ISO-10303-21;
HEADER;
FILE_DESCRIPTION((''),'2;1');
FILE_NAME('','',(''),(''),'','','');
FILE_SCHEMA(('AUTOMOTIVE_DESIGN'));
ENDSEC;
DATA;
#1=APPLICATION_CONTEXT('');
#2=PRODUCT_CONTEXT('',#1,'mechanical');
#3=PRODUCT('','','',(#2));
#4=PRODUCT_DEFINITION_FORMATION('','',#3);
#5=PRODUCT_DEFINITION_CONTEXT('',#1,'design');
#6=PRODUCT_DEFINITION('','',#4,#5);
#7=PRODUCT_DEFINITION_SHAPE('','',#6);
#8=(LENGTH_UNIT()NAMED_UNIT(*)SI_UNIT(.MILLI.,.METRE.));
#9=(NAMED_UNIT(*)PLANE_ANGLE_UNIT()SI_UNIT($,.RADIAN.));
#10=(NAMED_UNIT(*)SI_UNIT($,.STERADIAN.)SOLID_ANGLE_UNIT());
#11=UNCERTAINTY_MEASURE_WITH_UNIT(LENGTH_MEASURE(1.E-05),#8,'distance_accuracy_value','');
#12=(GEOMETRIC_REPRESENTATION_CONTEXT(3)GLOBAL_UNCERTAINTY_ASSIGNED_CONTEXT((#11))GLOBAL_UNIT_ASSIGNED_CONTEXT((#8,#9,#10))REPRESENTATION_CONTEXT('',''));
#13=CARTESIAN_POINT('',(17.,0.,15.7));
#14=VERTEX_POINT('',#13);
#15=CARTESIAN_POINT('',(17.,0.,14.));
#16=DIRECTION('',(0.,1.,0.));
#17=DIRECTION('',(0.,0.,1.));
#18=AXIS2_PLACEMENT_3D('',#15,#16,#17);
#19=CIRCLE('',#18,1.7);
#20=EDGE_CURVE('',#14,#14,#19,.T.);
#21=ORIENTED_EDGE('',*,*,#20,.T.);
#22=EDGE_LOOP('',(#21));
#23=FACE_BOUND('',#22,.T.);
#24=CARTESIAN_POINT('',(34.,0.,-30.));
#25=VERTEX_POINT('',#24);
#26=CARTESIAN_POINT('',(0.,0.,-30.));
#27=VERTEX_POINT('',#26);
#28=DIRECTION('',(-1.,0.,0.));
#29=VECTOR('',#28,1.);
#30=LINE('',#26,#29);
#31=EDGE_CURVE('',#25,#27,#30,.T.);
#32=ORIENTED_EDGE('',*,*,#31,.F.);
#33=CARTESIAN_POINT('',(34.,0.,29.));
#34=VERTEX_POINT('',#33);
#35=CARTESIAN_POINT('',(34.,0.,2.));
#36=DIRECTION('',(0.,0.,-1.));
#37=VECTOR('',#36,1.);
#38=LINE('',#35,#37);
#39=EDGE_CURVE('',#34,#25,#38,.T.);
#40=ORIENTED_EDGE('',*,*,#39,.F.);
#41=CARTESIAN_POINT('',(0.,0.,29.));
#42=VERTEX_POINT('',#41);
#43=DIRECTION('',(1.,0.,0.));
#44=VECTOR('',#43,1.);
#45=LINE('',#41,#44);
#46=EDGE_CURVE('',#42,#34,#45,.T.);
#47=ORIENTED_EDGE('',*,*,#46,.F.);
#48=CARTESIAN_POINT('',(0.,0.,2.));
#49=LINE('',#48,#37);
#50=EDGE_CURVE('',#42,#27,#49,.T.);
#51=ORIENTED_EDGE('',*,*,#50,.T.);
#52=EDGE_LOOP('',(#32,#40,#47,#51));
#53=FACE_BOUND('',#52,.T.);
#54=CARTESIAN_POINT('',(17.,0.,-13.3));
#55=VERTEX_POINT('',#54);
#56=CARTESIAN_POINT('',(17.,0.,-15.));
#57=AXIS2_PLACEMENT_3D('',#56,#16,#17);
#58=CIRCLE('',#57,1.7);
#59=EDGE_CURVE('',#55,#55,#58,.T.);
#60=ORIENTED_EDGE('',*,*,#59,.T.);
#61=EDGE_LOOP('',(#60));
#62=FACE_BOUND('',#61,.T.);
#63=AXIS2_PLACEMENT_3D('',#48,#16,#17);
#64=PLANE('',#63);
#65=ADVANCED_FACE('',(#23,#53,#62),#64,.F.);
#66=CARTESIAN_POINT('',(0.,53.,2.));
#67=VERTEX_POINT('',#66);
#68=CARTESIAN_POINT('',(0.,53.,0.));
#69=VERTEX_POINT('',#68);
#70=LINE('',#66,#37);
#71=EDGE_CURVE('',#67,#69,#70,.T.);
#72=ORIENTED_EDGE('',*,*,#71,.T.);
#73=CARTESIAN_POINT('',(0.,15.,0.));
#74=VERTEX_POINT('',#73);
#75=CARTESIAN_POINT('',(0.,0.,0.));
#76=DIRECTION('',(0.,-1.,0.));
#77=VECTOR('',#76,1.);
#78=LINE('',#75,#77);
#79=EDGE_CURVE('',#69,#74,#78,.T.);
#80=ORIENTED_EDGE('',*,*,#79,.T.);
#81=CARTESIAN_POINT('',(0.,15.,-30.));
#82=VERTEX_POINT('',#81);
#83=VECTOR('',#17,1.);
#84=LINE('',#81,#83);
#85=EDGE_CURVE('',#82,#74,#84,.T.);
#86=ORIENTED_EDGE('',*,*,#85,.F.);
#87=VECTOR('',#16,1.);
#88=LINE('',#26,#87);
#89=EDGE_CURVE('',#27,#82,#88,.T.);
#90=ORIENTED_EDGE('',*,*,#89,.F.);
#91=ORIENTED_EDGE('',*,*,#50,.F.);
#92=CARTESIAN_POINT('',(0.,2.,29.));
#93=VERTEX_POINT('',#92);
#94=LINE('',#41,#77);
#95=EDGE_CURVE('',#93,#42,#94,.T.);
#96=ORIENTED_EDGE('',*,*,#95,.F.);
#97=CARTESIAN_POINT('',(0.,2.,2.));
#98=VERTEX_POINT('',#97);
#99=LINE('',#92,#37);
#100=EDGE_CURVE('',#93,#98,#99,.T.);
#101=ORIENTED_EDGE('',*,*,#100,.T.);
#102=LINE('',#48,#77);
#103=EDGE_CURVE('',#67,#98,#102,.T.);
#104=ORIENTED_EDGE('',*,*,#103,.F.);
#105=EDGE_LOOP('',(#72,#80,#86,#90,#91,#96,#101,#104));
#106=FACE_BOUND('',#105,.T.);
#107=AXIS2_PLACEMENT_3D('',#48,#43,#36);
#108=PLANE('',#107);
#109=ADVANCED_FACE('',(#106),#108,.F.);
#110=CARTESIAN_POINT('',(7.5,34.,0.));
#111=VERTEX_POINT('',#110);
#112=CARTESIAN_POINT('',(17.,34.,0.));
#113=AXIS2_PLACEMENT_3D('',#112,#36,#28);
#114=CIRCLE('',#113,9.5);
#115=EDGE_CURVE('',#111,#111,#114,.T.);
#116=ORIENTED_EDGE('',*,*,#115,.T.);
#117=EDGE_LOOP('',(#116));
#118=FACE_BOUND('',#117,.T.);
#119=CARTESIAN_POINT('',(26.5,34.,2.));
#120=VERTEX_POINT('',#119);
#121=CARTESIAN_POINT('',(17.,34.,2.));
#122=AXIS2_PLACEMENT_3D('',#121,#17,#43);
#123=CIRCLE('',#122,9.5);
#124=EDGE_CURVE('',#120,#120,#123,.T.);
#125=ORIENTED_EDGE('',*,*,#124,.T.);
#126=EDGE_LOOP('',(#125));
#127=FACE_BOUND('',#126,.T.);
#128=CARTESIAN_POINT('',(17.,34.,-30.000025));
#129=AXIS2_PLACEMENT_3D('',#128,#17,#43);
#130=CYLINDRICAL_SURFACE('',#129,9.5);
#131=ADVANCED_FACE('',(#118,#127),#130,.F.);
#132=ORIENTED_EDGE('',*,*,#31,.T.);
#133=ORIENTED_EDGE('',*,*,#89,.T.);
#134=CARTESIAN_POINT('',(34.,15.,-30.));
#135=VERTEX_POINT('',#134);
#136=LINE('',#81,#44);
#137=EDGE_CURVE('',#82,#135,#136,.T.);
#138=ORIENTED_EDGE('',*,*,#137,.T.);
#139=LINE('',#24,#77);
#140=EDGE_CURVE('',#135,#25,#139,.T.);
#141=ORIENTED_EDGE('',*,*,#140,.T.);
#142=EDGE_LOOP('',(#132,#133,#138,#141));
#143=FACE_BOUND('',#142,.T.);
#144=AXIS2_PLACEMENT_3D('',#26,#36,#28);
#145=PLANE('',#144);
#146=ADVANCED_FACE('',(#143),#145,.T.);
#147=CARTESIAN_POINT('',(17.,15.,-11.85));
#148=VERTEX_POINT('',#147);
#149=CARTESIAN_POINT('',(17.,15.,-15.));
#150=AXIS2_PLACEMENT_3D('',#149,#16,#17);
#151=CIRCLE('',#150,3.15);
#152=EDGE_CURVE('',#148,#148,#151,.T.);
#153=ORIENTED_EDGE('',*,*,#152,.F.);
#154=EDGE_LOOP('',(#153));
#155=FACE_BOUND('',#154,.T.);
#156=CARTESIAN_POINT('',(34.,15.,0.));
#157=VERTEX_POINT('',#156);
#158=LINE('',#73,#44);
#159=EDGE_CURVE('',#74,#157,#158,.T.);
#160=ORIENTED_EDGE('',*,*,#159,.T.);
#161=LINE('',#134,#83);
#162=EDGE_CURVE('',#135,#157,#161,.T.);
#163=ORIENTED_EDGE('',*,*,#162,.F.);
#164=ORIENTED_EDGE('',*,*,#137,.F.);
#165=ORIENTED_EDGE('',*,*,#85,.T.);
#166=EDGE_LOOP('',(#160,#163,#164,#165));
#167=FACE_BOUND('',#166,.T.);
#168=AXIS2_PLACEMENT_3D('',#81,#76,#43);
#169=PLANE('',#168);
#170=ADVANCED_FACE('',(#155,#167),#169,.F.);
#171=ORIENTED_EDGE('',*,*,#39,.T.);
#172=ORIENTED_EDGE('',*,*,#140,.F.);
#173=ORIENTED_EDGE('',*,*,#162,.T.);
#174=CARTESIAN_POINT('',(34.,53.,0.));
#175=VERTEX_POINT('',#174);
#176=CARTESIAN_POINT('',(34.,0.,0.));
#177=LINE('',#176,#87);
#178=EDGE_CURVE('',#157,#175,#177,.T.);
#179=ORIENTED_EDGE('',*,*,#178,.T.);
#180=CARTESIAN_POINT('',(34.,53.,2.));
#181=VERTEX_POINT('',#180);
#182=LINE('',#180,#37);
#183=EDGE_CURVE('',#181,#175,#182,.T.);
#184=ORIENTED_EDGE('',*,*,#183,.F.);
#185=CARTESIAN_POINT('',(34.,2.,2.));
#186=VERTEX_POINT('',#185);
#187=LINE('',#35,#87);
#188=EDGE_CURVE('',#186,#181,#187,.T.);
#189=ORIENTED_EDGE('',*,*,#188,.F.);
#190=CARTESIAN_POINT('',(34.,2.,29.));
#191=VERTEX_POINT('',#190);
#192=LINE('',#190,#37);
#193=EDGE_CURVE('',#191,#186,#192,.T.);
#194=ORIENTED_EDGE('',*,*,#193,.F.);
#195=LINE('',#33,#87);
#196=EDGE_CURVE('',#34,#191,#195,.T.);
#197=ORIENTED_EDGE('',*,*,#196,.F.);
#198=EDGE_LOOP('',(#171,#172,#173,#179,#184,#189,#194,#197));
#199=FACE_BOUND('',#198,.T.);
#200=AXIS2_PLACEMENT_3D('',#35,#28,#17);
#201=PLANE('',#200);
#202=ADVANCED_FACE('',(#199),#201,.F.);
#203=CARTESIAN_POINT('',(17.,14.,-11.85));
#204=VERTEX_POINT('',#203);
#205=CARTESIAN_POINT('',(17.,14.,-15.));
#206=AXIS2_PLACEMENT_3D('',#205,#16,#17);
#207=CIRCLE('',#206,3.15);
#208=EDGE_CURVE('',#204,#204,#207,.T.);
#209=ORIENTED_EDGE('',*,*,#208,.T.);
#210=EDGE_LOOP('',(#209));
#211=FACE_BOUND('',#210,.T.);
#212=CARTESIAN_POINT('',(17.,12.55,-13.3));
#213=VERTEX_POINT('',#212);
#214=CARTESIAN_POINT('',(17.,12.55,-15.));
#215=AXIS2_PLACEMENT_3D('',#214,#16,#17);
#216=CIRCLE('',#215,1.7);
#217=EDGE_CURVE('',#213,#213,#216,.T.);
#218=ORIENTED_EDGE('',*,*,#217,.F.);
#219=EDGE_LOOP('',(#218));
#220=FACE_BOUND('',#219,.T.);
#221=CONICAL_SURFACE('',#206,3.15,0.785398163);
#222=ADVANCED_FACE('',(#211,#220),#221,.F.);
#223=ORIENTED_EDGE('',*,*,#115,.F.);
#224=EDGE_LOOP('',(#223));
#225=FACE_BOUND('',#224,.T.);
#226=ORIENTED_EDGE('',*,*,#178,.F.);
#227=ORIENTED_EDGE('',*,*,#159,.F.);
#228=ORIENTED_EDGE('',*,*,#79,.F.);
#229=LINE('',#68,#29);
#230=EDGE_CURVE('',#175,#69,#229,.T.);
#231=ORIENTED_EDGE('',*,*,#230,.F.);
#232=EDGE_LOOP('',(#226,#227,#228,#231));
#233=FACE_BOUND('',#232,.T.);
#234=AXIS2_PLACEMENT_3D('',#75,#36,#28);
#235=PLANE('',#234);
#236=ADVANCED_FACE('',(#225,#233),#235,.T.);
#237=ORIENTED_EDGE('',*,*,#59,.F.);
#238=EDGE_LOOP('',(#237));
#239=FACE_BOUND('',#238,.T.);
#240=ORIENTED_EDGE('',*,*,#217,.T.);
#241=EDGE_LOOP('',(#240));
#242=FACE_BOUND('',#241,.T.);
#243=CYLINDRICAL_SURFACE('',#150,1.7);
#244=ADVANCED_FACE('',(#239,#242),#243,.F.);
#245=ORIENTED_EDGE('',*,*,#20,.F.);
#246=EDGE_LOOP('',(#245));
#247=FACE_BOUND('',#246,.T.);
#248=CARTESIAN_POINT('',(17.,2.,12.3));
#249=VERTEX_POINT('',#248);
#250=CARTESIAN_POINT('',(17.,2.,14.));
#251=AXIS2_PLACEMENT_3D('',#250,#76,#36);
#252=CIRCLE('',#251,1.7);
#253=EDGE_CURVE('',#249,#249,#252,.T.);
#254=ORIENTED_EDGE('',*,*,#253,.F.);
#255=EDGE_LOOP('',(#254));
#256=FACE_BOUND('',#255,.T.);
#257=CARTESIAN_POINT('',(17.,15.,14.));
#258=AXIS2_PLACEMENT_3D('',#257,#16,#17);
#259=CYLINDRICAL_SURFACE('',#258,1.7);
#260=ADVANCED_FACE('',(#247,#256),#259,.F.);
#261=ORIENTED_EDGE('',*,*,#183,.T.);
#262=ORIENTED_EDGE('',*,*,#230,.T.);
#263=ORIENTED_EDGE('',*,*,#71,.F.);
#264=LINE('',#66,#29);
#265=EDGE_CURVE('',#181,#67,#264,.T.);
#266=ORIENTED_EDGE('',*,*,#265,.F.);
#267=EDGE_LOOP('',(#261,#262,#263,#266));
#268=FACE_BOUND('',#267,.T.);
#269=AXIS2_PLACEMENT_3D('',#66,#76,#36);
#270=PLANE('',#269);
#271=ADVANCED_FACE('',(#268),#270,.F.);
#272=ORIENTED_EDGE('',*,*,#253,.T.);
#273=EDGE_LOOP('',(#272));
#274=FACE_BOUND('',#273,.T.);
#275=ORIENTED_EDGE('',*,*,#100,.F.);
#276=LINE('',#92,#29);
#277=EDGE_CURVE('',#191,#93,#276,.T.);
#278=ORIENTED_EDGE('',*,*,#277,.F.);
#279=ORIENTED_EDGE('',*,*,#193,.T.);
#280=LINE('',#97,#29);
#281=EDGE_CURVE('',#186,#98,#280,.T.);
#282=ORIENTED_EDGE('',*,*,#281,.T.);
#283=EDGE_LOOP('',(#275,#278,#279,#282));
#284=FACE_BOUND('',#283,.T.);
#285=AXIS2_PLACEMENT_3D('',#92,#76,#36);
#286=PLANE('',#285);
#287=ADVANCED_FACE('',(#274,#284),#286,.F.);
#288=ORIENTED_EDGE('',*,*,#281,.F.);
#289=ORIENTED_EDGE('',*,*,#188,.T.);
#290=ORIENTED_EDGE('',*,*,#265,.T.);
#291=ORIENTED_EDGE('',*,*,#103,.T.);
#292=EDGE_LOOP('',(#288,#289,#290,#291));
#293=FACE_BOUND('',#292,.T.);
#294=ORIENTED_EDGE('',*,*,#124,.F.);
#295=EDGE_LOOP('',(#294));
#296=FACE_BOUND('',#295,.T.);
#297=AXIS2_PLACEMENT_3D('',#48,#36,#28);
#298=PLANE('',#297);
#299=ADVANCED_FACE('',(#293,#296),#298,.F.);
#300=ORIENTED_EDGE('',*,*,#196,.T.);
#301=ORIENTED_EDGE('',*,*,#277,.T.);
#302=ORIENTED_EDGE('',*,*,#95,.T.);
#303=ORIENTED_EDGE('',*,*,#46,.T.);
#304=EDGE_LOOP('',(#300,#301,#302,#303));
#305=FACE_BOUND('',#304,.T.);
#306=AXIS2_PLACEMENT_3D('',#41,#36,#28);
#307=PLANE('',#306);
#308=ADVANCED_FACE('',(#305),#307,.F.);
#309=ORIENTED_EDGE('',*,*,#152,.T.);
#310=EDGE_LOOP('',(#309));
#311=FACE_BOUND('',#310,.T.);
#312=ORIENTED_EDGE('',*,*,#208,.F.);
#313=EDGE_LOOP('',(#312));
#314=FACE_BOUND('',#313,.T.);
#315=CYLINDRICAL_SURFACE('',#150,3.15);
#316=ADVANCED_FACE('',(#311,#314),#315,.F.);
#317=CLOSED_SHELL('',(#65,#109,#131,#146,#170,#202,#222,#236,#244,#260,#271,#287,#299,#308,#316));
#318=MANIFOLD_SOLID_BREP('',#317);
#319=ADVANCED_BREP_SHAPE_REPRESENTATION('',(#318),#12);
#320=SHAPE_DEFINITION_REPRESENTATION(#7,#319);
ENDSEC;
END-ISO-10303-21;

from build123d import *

# Parameters (mm, degrees)
SKETCH1_W                                      = 34
SKETCH1_H                                      = 53
BOSS_EXTRUDE1_DEPTH                            = 2
SKETCH2_W                                      = 34
SKETCH2_H                                      = 2
BOSS_EXTRUDE2_DEPTH                            = 27
SKETCH3_W                                      = 34
SKETCH3_H                                      = 15
BOSS_EXTRUDE3_DEPTH                            = 30
SKETCH4_R                                      = 9.5
CUT_EXTRUDE1_DEPTH                             = 71.632853546
CSK_FOR_M3_FLAT_HEAD_MACHINE_SCREW1_AT_2_COUNT = 2
CSK_FOR_M3_FLAT_HEAD_MACHINE_SCREW1_AT_2_PITCH = 29


with BuildPart() as part:
    # Sketch1 → Boss-Extrude1 (new body)
    with BuildSketch(Plane.XY):
        with Locations((17, 26.5)):
            Rectangle(SKETCH1_W, SKETCH1_H)
    extrude(amount=BOSS_EXTRUDE1_DEPTH)

    # Sketch2 → Boss-Extrude2 (add)
    with BuildSketch(Plane.XY.offset(2)):
        with Locations((17, 1)):
            Rectangle(SKETCH2_W, SKETCH2_H)
    extrude(amount=BOSS_EXTRUDE2_DEPTH)

    # Sketch3 → Boss-Extrude3 (add)
    with BuildSketch(Plane(origin=(0, 0, 0), x_dir=(-1, 0, 0), z_dir=(0, 0, -1))):
        with Locations((-17, 7.5)):
            Rectangle(SKETCH3_W, SKETCH3_H)
    extrude(amount=BOSS_EXTRUDE3_DEPTH)

    # Sketch4 → Cut-Extrude1 (cut, through all)
    with BuildSketch(Plane.XY.offset(2)):
        with Locations((17, 34)):
            Circle(SKETCH4_R)
    extrude(amount=-CUT_EXTRUDE1_DEPTH, mode=Mode.SUBTRACT)

    # Sketch9 → CSK for M3 Flat Head Machine Screw1 (revolve, cut)
    with BuildSketch(Plane(origin=(17, 15, -15), x_dir=(0, 0, 1), z_dir=(1, 0, 0))):
        Polygon((0, 0), (0, 15), (1.7, 15), (1.7, 2.45), (3.15, 1), (3.15, 0), align=None)
    csk_for_m3_flat_head_machine_screw1 = revolve(axis=Axis((17, 21.35, -15), (0, -1, 0)), mode=Mode.SUBTRACT)

    # CSK for M3 Flat Head Machine Screw1 at 2: CSK for M3 Flat Head Machine Screw1 ×2
    with Locations(*[(0, 0, i * CSK_FOR_M3_FLAT_HEAD_MACHINE_SCREW1_AT_2_PITCH) for i in range(1, CSK_FOR_M3_FLAT_HEAD_MACHINE_SCREW1_AT_2_COUNT)]):
        add(csk_for_m3_flat_head_machine_screw1, mode=Mode.SUBTRACT)


solid = part.part
